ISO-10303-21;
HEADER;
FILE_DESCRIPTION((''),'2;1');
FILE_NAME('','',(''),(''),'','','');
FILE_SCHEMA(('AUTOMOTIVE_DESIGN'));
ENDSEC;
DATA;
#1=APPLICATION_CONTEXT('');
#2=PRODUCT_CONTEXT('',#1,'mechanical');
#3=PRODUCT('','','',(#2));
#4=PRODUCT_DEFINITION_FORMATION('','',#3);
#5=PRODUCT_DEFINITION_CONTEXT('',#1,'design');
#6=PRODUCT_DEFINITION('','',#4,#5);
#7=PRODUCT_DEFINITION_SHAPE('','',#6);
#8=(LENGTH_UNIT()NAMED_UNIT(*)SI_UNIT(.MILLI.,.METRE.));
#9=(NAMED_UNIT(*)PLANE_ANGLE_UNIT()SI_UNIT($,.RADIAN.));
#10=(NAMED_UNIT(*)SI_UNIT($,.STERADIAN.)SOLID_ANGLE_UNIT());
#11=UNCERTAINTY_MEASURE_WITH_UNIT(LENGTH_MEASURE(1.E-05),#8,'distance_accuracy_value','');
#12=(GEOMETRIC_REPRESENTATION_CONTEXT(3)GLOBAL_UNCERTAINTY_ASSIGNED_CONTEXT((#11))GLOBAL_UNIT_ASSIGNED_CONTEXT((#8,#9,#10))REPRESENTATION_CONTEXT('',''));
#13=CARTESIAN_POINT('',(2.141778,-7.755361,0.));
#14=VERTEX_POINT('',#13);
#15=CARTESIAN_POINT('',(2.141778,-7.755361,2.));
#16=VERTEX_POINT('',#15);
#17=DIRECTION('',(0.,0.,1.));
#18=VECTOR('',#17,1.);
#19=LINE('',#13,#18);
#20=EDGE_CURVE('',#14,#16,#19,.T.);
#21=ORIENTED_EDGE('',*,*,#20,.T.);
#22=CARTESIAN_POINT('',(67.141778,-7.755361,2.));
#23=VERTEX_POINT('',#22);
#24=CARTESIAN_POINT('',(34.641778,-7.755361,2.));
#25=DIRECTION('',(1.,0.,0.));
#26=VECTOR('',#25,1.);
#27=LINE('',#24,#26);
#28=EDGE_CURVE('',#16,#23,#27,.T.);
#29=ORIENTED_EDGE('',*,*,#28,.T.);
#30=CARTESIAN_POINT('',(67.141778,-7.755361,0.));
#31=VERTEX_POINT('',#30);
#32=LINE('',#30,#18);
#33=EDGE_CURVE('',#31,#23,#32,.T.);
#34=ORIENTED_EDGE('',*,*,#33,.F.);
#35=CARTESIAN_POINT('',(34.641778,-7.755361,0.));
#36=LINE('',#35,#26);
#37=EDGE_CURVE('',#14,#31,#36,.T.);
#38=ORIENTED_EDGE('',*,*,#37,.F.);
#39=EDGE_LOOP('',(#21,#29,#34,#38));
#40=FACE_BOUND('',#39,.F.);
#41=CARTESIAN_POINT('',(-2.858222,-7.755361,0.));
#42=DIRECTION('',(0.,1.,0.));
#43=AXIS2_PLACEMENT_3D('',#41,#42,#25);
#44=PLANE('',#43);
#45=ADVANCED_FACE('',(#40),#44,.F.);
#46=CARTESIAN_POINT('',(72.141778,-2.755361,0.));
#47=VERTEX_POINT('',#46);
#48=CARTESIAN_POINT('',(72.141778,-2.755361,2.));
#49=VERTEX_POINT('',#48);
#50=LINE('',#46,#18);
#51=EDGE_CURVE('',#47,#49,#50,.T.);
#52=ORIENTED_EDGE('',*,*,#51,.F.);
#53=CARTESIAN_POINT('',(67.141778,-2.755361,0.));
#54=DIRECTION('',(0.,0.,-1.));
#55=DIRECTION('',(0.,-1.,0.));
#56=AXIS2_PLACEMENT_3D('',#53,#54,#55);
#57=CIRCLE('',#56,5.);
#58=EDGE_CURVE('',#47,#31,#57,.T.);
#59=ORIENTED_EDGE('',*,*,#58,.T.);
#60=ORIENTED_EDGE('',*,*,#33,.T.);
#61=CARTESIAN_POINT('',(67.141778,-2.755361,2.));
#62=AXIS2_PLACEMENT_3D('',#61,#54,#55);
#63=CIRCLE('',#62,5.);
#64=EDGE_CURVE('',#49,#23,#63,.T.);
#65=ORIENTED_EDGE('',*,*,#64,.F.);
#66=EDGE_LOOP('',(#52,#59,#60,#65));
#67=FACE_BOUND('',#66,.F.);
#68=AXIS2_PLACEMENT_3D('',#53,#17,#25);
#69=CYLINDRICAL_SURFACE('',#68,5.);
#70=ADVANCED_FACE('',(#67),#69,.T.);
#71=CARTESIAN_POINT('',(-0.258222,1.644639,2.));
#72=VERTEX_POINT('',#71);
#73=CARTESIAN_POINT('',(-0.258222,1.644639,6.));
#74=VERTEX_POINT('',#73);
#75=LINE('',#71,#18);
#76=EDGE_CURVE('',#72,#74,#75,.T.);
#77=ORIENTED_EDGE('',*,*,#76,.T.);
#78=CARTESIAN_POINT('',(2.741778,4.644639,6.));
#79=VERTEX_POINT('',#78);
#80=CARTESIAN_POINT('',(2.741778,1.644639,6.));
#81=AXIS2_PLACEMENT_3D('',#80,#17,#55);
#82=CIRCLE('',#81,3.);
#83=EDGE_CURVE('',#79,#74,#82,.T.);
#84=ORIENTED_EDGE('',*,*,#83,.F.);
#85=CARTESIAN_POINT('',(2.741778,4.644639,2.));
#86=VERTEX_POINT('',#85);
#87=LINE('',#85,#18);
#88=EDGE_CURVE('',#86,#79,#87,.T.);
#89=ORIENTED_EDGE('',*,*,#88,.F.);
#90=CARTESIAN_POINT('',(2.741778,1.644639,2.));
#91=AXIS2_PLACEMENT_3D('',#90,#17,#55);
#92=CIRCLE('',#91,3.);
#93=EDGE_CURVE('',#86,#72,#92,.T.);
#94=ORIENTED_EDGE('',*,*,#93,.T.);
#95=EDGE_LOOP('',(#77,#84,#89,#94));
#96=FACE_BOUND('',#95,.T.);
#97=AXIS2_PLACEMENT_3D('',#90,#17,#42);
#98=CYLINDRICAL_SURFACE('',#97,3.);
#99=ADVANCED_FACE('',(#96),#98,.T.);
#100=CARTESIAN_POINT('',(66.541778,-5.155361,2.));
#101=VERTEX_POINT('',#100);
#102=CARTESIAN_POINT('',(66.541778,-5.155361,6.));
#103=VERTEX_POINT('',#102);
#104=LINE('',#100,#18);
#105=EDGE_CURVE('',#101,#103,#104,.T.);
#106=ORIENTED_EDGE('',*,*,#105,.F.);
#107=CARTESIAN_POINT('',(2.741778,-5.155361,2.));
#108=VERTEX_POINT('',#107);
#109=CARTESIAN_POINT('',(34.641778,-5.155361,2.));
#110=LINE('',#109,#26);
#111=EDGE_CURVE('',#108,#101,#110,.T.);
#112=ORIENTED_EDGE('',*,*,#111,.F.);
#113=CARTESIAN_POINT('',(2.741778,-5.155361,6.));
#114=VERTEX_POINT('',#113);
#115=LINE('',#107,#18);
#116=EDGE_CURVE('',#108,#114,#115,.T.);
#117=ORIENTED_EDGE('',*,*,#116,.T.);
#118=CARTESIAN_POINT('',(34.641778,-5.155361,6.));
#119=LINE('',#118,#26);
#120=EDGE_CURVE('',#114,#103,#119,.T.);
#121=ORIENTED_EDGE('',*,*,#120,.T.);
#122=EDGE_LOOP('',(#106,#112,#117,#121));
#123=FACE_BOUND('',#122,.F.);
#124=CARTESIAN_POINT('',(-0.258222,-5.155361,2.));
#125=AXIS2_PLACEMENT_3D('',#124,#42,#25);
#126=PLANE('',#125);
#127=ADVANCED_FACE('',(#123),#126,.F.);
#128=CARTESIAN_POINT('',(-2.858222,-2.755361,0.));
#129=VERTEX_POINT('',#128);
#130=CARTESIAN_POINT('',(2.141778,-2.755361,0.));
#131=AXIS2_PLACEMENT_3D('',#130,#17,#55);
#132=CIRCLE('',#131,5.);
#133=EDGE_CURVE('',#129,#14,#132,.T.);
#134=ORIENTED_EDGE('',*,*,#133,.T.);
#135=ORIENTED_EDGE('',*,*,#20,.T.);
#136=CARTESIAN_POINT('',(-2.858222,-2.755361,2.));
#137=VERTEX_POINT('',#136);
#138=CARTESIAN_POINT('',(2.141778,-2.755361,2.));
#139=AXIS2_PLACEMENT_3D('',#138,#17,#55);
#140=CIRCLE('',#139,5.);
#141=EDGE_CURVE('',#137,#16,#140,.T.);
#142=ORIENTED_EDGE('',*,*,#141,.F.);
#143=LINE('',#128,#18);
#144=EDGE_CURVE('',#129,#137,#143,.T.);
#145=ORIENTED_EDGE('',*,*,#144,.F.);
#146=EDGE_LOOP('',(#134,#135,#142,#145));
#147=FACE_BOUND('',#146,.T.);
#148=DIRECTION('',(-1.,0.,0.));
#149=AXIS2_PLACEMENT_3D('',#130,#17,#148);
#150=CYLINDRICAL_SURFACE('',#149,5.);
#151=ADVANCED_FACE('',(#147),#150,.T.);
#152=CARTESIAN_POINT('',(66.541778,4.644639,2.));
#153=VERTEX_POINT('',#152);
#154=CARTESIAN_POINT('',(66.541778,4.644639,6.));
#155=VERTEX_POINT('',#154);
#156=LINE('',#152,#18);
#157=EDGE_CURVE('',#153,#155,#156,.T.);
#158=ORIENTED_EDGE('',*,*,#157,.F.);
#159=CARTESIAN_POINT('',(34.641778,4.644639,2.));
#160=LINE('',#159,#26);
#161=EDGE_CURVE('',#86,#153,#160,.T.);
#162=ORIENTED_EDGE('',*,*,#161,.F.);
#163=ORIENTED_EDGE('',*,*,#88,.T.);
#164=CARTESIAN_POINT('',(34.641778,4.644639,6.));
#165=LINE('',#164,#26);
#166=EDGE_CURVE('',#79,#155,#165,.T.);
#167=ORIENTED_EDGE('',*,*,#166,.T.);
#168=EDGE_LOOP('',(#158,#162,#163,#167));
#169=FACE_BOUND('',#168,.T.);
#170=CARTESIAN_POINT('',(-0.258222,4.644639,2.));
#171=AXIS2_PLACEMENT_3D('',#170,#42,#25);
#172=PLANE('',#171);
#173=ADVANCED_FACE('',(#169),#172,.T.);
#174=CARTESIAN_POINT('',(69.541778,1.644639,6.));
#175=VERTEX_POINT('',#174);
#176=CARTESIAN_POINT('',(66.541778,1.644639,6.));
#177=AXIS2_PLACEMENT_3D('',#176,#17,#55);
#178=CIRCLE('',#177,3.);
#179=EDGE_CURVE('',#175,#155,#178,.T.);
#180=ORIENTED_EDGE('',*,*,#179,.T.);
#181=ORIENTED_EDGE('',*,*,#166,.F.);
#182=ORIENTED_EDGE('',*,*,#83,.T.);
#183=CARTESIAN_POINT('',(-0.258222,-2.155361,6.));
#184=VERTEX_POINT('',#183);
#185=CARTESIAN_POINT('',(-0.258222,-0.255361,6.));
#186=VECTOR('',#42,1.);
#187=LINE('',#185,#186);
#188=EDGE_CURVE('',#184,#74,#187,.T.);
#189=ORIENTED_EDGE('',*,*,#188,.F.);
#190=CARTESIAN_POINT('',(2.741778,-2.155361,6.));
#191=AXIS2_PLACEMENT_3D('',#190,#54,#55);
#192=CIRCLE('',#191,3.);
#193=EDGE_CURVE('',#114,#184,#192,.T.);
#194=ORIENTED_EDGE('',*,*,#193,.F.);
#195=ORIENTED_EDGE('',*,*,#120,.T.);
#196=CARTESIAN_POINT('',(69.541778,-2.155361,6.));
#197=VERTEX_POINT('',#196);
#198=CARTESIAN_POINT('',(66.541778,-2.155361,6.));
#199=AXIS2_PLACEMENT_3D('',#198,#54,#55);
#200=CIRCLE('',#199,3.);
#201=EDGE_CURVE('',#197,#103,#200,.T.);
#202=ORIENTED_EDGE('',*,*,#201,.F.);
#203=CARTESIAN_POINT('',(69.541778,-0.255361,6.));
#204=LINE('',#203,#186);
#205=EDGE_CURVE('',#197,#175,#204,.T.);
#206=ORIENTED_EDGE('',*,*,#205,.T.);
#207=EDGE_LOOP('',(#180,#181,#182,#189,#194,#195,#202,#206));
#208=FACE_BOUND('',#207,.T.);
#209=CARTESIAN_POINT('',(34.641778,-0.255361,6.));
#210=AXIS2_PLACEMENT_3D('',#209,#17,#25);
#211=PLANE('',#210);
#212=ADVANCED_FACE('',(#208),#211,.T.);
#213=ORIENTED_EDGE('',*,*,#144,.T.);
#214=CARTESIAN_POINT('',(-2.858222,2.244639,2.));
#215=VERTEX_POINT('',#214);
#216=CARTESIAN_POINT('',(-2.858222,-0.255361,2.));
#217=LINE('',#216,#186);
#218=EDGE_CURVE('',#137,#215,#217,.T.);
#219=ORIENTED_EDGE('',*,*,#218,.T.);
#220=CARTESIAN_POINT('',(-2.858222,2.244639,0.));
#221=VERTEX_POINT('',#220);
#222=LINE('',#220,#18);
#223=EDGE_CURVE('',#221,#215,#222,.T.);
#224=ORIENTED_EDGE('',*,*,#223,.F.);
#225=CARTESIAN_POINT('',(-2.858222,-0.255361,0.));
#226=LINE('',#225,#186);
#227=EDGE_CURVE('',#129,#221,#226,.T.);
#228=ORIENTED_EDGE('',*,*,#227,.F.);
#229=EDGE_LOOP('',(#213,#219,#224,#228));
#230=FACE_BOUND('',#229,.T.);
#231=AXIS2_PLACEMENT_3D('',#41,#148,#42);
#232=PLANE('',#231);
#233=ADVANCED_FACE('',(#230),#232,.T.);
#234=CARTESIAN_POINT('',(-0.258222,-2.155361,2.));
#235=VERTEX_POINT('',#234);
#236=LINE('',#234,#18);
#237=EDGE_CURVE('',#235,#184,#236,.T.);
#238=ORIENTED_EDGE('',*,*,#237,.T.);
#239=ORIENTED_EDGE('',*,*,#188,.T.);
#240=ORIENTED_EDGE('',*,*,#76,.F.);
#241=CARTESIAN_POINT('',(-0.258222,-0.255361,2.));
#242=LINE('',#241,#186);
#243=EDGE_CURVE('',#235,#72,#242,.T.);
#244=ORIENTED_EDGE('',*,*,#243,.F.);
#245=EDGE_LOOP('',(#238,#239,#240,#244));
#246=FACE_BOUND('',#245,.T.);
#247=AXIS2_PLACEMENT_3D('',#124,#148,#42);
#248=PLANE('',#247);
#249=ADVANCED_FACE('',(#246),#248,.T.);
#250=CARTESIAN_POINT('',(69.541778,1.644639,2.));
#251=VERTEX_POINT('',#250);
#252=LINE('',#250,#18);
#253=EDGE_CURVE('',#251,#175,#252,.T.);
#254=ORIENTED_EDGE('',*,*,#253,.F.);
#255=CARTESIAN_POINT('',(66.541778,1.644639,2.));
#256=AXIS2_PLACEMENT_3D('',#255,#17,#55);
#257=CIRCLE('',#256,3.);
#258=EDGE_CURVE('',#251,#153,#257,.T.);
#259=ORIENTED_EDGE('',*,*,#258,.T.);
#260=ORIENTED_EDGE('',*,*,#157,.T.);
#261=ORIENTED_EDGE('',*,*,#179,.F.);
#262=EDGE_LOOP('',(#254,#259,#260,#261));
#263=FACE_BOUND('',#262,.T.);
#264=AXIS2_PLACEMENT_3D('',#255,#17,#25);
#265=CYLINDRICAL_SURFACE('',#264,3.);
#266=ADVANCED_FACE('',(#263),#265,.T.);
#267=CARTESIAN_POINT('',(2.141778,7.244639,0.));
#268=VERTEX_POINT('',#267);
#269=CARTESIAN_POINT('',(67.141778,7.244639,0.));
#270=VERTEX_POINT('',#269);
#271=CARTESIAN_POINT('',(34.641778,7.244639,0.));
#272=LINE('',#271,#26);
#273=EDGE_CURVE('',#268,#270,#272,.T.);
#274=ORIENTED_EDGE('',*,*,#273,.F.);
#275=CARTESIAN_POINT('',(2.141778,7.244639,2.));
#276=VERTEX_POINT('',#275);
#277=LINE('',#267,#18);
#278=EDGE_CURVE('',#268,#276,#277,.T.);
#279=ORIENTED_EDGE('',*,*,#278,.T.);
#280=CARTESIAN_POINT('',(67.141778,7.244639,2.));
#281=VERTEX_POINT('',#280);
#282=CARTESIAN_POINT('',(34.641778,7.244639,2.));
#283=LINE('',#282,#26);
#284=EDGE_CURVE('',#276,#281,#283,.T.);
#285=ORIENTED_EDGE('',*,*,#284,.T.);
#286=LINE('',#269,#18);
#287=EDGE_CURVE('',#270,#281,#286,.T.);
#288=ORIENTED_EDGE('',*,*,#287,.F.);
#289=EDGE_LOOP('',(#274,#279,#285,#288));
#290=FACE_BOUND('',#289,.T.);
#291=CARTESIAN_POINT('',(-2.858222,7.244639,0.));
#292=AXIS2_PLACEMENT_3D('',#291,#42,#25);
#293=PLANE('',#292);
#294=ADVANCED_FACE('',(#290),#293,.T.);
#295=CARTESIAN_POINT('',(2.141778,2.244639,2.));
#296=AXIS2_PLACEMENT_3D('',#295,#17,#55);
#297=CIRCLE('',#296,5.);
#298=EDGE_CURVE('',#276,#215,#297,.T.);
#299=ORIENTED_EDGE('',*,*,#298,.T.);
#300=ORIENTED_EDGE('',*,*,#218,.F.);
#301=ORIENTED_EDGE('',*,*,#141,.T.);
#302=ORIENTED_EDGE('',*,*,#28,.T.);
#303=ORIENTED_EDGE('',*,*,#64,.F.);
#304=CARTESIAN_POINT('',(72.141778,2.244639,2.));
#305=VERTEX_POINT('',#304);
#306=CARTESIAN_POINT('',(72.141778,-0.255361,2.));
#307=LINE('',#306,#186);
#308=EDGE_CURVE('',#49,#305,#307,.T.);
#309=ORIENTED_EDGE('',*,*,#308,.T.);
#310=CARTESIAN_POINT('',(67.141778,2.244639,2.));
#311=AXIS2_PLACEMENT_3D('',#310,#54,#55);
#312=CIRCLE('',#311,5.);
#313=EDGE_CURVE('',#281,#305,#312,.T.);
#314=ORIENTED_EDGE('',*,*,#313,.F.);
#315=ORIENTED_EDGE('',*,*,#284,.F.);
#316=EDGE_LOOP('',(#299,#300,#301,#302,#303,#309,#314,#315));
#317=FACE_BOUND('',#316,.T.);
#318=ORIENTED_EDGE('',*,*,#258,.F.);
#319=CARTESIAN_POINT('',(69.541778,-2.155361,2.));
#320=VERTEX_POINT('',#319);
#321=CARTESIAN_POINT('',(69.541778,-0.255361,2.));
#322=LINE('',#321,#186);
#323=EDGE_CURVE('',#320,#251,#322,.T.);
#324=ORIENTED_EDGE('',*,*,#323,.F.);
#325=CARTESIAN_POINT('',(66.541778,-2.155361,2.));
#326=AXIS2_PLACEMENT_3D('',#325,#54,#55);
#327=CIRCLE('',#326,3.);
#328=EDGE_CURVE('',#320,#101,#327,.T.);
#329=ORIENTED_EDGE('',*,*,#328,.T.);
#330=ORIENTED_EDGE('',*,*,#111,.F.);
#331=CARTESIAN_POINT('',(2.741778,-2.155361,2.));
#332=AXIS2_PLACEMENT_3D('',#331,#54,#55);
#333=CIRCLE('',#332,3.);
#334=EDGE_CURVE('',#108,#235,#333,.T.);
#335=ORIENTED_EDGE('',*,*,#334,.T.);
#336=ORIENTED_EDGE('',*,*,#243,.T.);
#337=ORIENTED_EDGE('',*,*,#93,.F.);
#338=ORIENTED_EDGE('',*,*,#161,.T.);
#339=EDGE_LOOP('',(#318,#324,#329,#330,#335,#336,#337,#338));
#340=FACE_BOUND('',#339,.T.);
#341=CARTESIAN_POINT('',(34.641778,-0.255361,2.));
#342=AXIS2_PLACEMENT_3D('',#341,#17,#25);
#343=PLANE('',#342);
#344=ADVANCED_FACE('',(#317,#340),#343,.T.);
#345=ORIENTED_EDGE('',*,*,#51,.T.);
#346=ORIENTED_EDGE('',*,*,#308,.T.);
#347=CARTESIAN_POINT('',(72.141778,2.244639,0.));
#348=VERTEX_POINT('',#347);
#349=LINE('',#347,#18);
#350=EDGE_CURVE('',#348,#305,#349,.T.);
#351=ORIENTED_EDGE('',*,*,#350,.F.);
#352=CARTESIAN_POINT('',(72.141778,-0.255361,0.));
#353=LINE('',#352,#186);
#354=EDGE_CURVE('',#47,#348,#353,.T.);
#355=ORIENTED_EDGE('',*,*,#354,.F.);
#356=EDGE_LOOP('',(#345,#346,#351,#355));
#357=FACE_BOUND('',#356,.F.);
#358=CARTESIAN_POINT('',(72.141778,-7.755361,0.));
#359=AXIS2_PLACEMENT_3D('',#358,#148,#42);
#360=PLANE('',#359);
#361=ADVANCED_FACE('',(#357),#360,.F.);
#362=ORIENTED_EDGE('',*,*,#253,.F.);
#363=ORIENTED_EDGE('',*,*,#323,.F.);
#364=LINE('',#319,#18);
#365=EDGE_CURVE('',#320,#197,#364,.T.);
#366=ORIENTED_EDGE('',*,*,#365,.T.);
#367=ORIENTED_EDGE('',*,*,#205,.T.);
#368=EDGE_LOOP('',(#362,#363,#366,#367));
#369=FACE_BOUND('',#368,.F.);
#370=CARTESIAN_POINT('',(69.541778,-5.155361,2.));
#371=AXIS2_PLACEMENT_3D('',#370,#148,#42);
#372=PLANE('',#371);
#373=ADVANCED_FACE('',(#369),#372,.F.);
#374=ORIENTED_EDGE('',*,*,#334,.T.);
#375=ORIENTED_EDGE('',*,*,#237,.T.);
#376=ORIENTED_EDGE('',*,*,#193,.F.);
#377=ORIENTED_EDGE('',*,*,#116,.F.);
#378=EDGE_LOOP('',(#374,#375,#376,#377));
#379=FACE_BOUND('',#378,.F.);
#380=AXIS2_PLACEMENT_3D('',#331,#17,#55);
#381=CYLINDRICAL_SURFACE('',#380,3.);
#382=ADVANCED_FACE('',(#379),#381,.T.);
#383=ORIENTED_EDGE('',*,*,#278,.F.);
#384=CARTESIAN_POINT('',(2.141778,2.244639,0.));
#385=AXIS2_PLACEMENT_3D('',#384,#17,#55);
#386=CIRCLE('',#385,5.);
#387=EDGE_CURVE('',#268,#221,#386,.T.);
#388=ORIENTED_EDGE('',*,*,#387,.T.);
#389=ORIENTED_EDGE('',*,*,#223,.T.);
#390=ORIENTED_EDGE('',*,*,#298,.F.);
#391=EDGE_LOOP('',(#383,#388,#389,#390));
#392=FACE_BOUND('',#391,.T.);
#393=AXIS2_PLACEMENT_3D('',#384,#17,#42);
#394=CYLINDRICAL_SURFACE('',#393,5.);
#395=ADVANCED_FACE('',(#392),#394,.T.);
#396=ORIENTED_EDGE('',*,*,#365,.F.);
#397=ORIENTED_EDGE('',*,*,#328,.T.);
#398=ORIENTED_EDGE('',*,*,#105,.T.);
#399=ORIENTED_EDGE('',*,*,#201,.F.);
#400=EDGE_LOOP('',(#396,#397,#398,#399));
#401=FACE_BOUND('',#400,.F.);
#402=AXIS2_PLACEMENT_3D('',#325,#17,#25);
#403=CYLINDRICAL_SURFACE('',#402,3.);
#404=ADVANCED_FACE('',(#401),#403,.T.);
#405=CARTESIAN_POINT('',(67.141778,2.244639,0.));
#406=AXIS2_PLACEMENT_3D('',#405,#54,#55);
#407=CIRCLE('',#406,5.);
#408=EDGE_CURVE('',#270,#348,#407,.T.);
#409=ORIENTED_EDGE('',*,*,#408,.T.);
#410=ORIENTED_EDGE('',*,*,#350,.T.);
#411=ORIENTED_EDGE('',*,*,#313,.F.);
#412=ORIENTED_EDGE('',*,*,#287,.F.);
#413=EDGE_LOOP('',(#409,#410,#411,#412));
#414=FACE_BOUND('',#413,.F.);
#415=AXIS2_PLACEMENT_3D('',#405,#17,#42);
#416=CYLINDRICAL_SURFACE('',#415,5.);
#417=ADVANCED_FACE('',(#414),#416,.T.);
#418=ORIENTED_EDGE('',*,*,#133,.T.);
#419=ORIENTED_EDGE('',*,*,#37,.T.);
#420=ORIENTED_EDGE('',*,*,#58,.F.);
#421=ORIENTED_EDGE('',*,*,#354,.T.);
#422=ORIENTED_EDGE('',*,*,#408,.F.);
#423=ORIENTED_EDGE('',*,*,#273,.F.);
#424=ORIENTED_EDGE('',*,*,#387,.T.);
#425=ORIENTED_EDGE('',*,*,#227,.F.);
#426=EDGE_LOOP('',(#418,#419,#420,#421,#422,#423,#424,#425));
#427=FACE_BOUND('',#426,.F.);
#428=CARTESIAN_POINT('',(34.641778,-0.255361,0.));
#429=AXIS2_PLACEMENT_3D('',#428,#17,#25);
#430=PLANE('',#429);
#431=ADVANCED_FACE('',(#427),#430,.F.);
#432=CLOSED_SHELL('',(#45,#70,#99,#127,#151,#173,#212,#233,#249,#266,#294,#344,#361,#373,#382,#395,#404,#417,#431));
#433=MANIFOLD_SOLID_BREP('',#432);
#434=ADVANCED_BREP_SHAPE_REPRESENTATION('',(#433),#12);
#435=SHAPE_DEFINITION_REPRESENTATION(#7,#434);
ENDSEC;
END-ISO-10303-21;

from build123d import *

# Parameters (mm, degrees)
F0_W     = 75
F0_H     = 15
F1_DEPTH = 2
F2_W     = 69.8
F2_H     = 9.8
F3_DEPTH = 4
F4_R     = 5
F5_R     = 3
F6_R     = 5
F7_R     = 5
F8_R     = 3
F9_R     = 3
F10_R    = 5
F11_R    = 3


with BuildPart() as f1:
    # F0 (on Top) → F1 (new body)
    with BuildSketch(Plane.XY):
        with Locations((34.641778, -0.255361)):
            Rectangle(F0_W, F0_H)
    extrude(amount=F1_DEPTH)

    # F2 (on face) → F3 (join)
    with BuildSketch(Plane.XY.offset(2)):
        with Locations((34.641778, -0.255361)):
            Rectangle(F2_W, F2_H)
    extrude(amount=F3_DEPTH)

    # F4
    f4_edges = [f1.edges().sort_by_distance(p)[0] for p in [
        (-2.858222, -7.755361, 1),
    ]]
    fillet(f4_edges, radius=F4_R)

    # F5
    f5_edges = [f1.edges().sort_by_distance(p)[0] for p in [
        (-0.258222, -5.155361, 4),
    ]]
    fillet(f5_edges, radius=F5_R)

    # F6
    f6_edges = [f1.edges().sort_by_distance(p)[0] for p in [
        (72.141778, 7.244639, 1),
    ]]
    fillet(f6_edges, radius=F6_R)

    # F7
    f7_edges = [f1.edges().sort_by_distance(p)[0] for p in [
        (72.141778, -7.755361, 1),
    ]]
    fillet(f7_edges, radius=F7_R)

    # F8
    f8_edges = [f1.edges().sort_by_distance(p)[0] for p in [
        (69.541778, 4.644639, 4),
    ]]
    fillet(f8_edges, radius=F8_R)

    # F9
    f9_edges = [f1.edges().sort_by_distance(p)[0] for p in [
        (69.541778, -5.155361, 4),
    ]]
    fillet(f9_edges, radius=F9_R)

    # F10
    f10_edges = [f1.edges().sort_by_distance(p)[0] for p in [
        (-2.858222, 7.244639, 1),
    ]]
    fillet(f10_edges, radius=F10_R)

    # F11
    f11_edges = [f1.edges().sort_by_distance(p)[0] for p in [
        (-0.258222, 4.644639, 4),
    ]]
    fillet(f11_edges, radius=F11_R)


solid = f1.part
